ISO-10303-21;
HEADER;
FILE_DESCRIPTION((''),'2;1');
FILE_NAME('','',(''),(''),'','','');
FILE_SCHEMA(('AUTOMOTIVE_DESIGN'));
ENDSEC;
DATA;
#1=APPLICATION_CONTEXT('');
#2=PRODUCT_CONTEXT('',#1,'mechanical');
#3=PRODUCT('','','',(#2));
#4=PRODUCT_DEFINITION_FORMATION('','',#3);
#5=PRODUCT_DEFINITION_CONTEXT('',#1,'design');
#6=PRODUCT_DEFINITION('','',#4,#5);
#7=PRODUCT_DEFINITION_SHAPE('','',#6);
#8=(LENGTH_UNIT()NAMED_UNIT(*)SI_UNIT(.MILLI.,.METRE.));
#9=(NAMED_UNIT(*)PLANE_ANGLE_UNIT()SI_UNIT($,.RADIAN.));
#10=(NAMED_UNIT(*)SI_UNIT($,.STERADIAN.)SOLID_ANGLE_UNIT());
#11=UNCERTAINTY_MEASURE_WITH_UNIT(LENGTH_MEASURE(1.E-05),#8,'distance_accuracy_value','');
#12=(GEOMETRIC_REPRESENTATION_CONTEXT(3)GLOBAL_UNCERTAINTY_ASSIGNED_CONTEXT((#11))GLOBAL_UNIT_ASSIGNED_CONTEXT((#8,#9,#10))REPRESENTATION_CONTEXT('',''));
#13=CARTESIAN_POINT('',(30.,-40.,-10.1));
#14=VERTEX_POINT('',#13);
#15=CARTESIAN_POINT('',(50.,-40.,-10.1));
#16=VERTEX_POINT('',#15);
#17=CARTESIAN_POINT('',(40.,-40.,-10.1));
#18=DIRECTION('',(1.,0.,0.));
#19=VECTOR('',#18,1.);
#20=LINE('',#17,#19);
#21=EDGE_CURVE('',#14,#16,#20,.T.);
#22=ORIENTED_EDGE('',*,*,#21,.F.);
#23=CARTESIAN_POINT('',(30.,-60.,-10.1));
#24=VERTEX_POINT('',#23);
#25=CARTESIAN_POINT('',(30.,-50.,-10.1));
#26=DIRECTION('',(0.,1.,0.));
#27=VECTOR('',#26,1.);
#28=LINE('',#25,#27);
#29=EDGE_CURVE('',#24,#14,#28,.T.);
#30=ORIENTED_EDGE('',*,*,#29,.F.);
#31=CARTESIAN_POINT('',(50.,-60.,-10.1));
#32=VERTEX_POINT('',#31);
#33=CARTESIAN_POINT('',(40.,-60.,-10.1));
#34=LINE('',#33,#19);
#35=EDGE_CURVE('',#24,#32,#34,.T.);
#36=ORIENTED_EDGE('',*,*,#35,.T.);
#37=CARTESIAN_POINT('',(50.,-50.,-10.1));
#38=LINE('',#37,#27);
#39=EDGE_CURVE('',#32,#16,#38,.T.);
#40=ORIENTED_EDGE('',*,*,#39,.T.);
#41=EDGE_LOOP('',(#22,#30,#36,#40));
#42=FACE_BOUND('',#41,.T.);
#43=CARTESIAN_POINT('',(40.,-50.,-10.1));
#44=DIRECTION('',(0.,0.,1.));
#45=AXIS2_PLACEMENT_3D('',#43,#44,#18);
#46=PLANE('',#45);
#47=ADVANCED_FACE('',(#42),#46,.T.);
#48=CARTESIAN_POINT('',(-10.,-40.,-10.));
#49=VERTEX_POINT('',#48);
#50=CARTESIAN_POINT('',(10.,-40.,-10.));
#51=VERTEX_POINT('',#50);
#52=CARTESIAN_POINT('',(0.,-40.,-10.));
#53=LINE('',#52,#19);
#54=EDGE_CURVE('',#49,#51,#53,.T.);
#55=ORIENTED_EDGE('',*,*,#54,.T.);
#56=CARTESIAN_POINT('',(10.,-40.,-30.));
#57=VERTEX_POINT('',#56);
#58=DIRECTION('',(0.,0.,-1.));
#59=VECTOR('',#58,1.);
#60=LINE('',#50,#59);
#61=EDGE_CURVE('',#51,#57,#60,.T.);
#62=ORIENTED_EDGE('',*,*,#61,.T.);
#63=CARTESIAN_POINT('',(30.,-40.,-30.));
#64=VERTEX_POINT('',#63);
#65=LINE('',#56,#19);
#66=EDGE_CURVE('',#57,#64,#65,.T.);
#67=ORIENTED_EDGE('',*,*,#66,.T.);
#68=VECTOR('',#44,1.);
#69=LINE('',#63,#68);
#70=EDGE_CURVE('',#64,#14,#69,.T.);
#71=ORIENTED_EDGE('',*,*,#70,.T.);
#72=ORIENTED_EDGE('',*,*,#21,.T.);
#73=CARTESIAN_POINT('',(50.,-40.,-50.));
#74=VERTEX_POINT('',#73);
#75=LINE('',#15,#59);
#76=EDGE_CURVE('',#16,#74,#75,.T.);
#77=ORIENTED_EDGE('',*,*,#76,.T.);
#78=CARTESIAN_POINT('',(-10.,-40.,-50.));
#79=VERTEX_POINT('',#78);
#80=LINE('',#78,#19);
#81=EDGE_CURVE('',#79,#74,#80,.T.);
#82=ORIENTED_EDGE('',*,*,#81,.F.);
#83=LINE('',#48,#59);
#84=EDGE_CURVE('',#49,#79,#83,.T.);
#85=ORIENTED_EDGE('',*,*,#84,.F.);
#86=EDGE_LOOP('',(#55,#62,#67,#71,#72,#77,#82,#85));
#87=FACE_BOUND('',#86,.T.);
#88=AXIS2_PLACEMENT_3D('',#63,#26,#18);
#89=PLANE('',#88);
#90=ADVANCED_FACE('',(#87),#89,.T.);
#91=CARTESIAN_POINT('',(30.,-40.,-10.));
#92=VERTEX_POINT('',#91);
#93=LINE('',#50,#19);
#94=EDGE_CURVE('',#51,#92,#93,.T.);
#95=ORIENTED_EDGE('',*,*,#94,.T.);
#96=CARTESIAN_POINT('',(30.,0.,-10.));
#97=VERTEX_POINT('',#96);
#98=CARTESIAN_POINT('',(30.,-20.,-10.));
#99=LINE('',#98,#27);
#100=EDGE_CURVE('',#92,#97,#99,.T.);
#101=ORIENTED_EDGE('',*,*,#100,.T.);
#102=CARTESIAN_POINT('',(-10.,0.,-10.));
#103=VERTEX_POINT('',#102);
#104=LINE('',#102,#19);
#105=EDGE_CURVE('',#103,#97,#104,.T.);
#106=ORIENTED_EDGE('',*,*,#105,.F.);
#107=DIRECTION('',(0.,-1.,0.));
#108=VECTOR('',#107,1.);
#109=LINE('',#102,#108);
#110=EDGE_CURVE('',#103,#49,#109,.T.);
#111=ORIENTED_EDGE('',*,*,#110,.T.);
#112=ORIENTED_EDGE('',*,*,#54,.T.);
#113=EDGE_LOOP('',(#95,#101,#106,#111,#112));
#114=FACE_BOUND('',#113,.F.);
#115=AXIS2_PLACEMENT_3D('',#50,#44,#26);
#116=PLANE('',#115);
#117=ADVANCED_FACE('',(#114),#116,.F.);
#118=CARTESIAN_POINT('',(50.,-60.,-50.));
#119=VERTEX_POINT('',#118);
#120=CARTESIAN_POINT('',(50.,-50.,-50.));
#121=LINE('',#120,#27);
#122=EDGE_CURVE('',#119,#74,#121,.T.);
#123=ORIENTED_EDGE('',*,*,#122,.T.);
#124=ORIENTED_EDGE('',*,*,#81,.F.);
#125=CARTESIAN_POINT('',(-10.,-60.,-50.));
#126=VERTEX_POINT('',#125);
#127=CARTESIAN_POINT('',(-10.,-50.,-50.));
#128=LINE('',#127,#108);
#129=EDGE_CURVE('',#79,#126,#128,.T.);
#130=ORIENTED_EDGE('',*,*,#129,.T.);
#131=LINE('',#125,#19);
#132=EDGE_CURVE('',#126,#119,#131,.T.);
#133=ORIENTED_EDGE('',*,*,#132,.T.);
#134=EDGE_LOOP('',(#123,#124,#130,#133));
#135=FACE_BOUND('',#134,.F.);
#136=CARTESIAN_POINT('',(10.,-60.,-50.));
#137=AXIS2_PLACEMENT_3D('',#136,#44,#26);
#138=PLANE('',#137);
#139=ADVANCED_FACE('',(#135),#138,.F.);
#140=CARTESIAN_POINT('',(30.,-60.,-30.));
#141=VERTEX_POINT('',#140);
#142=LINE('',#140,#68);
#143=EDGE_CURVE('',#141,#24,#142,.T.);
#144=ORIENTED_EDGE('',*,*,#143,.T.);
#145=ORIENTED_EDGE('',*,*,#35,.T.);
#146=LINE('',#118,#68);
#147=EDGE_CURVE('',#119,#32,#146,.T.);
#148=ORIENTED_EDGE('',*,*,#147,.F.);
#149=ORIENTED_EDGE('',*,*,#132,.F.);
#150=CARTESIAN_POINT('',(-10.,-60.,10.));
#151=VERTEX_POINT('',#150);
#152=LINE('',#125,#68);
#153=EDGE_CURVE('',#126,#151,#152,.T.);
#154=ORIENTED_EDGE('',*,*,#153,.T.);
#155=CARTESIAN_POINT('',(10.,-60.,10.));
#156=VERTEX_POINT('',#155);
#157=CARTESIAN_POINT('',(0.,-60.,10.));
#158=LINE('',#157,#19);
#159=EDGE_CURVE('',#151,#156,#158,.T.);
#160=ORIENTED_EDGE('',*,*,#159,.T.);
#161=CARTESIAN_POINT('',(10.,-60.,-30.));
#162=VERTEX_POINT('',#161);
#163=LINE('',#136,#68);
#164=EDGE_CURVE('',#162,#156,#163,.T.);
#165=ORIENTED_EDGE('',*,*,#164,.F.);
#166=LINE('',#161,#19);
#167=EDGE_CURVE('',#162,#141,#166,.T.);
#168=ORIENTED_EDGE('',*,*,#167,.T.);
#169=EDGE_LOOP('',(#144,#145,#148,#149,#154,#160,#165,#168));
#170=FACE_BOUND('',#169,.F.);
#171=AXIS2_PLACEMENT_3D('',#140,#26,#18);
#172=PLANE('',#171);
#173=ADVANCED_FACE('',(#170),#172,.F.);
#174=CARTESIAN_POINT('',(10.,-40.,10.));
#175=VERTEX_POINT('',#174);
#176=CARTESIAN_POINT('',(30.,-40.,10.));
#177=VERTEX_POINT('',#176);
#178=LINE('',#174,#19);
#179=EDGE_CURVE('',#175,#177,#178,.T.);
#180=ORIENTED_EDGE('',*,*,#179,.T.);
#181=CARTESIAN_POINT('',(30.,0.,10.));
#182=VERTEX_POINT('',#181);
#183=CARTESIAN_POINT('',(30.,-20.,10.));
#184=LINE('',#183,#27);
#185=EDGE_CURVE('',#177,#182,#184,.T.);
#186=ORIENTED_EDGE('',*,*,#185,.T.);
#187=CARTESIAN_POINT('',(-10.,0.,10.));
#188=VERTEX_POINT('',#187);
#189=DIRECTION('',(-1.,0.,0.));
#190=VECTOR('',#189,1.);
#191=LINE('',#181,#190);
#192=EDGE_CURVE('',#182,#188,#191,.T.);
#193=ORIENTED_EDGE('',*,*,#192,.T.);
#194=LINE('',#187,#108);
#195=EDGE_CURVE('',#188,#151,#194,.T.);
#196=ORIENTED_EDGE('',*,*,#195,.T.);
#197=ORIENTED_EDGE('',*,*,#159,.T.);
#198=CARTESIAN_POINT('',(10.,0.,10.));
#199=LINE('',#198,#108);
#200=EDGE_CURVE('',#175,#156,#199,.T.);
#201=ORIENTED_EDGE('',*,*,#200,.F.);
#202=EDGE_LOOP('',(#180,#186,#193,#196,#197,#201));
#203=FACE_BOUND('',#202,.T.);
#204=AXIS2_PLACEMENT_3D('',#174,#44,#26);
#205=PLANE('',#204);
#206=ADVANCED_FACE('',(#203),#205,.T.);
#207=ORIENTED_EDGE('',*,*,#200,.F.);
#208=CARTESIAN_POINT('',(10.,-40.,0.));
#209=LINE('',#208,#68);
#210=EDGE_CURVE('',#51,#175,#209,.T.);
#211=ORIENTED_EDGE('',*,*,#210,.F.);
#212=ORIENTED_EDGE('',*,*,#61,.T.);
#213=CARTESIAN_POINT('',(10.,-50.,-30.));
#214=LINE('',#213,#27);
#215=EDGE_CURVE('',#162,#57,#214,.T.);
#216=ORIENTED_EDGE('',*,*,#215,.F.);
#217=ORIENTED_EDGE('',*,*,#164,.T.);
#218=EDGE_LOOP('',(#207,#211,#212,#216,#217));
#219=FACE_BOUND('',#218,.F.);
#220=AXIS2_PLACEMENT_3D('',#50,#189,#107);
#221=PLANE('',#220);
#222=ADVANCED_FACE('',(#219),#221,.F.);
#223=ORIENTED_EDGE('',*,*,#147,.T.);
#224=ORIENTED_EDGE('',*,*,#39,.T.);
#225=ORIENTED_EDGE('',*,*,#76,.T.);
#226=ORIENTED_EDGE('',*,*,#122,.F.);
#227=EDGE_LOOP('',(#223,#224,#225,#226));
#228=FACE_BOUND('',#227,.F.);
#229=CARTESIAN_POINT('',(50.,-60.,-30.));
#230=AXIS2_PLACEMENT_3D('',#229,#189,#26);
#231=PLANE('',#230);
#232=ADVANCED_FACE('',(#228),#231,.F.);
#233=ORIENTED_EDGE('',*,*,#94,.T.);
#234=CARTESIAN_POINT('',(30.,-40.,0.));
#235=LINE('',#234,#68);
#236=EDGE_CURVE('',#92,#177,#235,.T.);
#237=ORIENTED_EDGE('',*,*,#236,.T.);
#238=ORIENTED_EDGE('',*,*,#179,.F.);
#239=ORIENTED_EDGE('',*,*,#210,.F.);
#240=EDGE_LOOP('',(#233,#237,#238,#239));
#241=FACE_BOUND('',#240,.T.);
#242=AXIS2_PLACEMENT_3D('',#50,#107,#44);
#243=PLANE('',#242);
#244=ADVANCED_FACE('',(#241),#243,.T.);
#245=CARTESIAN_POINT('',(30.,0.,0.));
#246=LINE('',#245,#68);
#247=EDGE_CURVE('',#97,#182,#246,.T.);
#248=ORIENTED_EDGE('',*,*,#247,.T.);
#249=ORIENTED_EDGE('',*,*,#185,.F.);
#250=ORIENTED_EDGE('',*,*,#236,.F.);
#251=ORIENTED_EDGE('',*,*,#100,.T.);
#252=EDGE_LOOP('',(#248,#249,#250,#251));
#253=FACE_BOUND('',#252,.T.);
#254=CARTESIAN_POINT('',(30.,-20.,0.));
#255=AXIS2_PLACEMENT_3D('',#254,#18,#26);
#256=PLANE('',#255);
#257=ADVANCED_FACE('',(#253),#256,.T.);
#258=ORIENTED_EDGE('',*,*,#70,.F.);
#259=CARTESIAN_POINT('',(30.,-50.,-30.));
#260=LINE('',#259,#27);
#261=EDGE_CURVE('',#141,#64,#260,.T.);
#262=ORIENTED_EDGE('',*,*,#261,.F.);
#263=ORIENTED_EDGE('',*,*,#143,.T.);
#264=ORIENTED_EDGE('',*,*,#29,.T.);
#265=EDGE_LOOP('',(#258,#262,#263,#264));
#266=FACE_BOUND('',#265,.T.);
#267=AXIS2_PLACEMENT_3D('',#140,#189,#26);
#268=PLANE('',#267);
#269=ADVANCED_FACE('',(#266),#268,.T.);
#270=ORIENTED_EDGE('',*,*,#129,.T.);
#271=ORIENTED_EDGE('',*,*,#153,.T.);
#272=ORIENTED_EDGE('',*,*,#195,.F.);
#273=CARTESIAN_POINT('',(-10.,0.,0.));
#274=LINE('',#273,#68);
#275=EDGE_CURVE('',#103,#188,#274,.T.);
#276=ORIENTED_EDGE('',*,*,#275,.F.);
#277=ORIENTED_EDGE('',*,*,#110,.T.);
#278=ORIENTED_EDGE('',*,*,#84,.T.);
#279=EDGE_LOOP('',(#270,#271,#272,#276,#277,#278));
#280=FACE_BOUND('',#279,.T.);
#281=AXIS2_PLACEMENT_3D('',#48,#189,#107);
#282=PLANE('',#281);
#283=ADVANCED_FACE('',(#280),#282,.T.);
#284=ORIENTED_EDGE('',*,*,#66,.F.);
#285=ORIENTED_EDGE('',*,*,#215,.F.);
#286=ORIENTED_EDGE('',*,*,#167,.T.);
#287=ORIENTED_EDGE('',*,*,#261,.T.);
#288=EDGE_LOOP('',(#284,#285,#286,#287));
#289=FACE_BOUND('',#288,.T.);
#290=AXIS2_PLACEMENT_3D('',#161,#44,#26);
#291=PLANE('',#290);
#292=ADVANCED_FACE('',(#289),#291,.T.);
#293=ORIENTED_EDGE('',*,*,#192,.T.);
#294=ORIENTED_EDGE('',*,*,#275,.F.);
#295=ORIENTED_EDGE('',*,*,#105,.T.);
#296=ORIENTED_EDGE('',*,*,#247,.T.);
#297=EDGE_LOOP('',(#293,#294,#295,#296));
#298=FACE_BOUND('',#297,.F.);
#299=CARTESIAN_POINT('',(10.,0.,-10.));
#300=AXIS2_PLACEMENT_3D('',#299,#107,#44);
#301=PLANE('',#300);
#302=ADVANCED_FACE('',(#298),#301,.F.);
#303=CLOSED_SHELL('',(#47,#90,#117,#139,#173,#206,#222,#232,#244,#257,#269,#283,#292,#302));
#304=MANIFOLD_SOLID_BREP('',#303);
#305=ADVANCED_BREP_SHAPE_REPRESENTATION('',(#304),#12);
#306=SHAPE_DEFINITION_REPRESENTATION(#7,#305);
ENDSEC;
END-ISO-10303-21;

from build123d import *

# Parameters (mm, degrees)
F0_W     = 20
F0_H     = 20
F1_DEPTH = 60
F2_W     = 40
F2_H     = 20
F3_DEPTH = 20
F4_W     = 20
F4_H     = 20
F5_DEPTH = 40
F6_W     = 20
F6_H     = 20
F7_DEPTH = 40
F8_W     = 20
F8_H     = 20
F9_DEPTH = 19.9


with BuildPart() as f1:
    # F0 (on Front) → F1 (new body)
    with BuildSketch(Plane.XZ):
        Rectangle(F0_W, F0_H)
    extrude(amount=F1_DEPTH)

    # F2 (on face) → F3 (join)
    with BuildSketch(Plane.YZ.offset(10)):
        with Locations((-20, 0)):
            Rectangle(F2_W, F2_H)
    extrude(amount=F3_DEPTH)

    # F4 (on face) → F5 (join)
    with BuildSketch(Plane(origin=(0, 0, -10), x_dir=(1, 0, 0), z_dir=(0, 0, -1))):
        with Locations((0, 50)):
            Rectangle(F4_W, F4_H)
    extrude(amount=F5_DEPTH)

    # F6 (on face) → F7 (join)
    with BuildSketch(Plane.YZ.offset(10)):
        with Locations((-50, -40)):
            Rectangle(F6_W, F6_H)
    extrude(amount=F7_DEPTH)

    # F8 (on face) → F9 (join)
    with BuildSketch(Plane.XY.offset(-30)):
        with Locations((40, -50)):
            Rectangle(F8_W, F8_H)
    extrude(amount=F9_DEPTH)


solid = f1.part
